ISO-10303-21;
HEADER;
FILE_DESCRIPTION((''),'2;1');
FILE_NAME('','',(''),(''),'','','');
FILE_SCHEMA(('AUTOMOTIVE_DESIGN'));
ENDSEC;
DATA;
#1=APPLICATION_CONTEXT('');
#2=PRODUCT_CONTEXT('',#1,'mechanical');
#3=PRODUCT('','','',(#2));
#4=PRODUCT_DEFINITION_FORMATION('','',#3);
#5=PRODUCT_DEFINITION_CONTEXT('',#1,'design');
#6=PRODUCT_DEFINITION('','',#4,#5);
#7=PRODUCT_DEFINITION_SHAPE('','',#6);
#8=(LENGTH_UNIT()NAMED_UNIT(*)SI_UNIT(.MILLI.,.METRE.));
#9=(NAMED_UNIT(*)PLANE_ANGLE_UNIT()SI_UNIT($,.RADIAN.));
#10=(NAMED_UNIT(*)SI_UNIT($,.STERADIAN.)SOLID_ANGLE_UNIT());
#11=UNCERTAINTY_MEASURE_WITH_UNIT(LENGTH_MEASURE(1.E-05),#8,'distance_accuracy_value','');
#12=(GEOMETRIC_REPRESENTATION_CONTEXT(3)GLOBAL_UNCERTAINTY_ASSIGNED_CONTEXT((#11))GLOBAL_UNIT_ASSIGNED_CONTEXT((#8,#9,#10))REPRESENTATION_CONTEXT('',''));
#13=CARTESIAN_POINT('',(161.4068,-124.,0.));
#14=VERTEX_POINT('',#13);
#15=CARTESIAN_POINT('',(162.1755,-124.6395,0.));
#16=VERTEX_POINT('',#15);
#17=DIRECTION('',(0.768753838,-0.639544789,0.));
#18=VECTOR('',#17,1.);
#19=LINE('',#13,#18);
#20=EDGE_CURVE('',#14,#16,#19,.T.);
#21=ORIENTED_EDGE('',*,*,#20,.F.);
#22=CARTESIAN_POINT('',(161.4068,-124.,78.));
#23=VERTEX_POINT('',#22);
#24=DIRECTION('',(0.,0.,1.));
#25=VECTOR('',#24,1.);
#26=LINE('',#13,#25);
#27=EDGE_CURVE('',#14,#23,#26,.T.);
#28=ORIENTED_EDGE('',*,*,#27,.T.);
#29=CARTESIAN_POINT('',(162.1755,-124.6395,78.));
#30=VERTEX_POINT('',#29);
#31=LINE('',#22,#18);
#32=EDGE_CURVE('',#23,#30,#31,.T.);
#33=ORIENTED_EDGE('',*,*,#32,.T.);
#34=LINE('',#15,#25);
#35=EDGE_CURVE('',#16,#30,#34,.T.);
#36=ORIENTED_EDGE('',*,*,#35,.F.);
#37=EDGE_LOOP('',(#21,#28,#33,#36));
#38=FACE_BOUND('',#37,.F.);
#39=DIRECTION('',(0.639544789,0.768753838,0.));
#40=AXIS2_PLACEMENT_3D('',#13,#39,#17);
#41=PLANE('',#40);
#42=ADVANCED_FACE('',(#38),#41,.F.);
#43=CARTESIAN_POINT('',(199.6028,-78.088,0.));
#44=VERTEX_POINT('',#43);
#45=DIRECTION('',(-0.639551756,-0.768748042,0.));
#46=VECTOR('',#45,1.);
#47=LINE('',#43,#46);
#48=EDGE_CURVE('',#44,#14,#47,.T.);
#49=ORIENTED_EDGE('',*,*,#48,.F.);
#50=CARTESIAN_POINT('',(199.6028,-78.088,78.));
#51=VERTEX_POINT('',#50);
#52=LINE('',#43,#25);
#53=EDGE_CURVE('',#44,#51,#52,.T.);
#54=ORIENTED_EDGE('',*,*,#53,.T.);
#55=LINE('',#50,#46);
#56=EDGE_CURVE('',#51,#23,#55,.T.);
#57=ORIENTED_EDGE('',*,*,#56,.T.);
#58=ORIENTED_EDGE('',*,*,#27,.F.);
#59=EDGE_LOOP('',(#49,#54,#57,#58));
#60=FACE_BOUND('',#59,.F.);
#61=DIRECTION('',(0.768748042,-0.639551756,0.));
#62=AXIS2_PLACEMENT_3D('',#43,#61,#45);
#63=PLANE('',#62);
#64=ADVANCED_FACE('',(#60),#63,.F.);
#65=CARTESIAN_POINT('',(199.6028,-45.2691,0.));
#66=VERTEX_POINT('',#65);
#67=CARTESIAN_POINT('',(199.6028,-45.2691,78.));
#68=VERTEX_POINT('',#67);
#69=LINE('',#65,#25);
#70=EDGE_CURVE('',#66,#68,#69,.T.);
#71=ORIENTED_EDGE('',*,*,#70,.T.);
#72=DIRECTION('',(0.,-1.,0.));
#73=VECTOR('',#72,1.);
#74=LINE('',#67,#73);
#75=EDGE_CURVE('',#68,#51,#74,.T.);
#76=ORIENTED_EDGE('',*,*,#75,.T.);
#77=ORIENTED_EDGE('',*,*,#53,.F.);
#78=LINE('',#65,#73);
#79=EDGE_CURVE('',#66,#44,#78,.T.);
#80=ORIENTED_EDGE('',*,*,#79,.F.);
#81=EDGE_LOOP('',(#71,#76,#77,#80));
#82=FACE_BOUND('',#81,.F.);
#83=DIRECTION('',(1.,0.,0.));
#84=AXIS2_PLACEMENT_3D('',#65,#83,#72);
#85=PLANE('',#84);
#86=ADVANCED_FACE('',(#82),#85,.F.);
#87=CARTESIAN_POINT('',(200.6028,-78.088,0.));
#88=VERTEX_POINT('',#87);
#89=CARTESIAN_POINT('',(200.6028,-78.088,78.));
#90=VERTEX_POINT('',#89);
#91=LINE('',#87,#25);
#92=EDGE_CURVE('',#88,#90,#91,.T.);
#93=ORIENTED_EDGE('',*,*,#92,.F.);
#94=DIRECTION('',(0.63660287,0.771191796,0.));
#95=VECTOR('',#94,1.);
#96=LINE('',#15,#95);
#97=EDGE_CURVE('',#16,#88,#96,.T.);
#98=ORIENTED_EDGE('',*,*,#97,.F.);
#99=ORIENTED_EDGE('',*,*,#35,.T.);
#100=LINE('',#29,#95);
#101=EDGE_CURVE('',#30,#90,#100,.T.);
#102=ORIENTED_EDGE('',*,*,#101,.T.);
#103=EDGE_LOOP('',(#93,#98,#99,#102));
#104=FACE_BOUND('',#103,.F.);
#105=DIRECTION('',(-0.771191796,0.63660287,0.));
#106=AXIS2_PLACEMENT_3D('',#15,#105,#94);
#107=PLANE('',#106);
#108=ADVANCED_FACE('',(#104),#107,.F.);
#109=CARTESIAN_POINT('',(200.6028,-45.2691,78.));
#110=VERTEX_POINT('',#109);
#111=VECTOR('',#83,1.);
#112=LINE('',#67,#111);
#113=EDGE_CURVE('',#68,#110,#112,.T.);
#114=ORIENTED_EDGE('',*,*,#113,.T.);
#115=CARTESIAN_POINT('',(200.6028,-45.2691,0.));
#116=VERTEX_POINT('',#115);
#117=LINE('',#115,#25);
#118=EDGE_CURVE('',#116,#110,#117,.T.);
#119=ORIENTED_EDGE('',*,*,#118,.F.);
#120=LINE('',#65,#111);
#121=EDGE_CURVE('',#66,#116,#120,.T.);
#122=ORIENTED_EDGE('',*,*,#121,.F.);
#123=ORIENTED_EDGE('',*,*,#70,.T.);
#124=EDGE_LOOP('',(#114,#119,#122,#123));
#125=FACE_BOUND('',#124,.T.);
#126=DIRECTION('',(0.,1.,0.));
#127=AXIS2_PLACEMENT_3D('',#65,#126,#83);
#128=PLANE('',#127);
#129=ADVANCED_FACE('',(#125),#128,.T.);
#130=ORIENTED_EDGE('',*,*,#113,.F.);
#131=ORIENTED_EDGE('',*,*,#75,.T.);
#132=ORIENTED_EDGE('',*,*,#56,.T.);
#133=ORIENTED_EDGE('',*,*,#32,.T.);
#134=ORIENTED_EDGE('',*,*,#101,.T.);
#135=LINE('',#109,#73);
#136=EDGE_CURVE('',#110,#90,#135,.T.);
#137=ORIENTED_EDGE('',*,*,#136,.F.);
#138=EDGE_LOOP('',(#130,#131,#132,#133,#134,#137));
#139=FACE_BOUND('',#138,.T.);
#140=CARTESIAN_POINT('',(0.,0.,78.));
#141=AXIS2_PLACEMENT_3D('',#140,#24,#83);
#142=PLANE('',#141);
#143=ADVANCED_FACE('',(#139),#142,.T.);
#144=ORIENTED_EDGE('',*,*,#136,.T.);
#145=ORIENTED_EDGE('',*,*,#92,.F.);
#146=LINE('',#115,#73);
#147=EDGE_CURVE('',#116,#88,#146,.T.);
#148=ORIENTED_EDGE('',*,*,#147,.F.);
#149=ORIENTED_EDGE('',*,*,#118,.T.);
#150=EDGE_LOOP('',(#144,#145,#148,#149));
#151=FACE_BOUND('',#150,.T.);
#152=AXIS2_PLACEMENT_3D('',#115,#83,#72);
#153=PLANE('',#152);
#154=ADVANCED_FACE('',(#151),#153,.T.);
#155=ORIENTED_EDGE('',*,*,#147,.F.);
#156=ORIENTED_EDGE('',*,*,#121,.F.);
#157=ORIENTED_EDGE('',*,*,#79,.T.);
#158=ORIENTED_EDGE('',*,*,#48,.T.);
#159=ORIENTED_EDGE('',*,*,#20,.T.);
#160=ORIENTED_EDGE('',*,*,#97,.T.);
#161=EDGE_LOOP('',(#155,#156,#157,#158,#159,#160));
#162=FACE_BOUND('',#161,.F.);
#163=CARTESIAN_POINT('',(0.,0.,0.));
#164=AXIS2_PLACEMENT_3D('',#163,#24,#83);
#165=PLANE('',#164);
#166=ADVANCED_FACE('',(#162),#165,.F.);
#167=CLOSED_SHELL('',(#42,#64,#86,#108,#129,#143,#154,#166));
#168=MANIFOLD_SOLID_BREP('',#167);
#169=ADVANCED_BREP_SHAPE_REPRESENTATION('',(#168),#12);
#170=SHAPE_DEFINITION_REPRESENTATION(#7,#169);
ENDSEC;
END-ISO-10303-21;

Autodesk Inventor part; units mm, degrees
ref_plane "YZ Plane" through (0, 0, 0) normal (1, 0, 0) x (0, 1, 0)
ref_plane "XZ Plane" through (0, 0, 0) normal (0, 1, 0) x (-1, 0, 0)
ref_plane "XY Plane" through (0, 0, 0) normal (0, 0, 1) x (1, 0, 0)
sketch "Sketch1" plane through (0, 0, 0) normal (0, 0, 1) x (1, 0, 0)
  line L0 (199.6028, -45.2691) -> (199.6028, -78.088)
  line L1 (199.6028, -78.088) -> (161.4068, -124)
  line L2 (199.6028, -45.2691) -> (200.6028, -45.2691)
  line L3 (200.6028, -45.2691) -> (200.6028, -78.088)
  line L4 (161.4068, -124) -> (162.1755, -124.6395)
  line L5 (162.1755, -124.6395) -> (200.6028, -78.088)
  point P0 (0, 0)
  dimension "d0" = 1
  dimension "d1" = 90
  dimension "d2" = 1
  dimension "d5" = 32.8188
  dimension "d6" = 60.3631
  dimension "d7" = 140.242
extrude "Extrusion1" add sketch "Sketch1" along normal blind 78
properties part number "Cabin front panel" material "Steel, Mild"
